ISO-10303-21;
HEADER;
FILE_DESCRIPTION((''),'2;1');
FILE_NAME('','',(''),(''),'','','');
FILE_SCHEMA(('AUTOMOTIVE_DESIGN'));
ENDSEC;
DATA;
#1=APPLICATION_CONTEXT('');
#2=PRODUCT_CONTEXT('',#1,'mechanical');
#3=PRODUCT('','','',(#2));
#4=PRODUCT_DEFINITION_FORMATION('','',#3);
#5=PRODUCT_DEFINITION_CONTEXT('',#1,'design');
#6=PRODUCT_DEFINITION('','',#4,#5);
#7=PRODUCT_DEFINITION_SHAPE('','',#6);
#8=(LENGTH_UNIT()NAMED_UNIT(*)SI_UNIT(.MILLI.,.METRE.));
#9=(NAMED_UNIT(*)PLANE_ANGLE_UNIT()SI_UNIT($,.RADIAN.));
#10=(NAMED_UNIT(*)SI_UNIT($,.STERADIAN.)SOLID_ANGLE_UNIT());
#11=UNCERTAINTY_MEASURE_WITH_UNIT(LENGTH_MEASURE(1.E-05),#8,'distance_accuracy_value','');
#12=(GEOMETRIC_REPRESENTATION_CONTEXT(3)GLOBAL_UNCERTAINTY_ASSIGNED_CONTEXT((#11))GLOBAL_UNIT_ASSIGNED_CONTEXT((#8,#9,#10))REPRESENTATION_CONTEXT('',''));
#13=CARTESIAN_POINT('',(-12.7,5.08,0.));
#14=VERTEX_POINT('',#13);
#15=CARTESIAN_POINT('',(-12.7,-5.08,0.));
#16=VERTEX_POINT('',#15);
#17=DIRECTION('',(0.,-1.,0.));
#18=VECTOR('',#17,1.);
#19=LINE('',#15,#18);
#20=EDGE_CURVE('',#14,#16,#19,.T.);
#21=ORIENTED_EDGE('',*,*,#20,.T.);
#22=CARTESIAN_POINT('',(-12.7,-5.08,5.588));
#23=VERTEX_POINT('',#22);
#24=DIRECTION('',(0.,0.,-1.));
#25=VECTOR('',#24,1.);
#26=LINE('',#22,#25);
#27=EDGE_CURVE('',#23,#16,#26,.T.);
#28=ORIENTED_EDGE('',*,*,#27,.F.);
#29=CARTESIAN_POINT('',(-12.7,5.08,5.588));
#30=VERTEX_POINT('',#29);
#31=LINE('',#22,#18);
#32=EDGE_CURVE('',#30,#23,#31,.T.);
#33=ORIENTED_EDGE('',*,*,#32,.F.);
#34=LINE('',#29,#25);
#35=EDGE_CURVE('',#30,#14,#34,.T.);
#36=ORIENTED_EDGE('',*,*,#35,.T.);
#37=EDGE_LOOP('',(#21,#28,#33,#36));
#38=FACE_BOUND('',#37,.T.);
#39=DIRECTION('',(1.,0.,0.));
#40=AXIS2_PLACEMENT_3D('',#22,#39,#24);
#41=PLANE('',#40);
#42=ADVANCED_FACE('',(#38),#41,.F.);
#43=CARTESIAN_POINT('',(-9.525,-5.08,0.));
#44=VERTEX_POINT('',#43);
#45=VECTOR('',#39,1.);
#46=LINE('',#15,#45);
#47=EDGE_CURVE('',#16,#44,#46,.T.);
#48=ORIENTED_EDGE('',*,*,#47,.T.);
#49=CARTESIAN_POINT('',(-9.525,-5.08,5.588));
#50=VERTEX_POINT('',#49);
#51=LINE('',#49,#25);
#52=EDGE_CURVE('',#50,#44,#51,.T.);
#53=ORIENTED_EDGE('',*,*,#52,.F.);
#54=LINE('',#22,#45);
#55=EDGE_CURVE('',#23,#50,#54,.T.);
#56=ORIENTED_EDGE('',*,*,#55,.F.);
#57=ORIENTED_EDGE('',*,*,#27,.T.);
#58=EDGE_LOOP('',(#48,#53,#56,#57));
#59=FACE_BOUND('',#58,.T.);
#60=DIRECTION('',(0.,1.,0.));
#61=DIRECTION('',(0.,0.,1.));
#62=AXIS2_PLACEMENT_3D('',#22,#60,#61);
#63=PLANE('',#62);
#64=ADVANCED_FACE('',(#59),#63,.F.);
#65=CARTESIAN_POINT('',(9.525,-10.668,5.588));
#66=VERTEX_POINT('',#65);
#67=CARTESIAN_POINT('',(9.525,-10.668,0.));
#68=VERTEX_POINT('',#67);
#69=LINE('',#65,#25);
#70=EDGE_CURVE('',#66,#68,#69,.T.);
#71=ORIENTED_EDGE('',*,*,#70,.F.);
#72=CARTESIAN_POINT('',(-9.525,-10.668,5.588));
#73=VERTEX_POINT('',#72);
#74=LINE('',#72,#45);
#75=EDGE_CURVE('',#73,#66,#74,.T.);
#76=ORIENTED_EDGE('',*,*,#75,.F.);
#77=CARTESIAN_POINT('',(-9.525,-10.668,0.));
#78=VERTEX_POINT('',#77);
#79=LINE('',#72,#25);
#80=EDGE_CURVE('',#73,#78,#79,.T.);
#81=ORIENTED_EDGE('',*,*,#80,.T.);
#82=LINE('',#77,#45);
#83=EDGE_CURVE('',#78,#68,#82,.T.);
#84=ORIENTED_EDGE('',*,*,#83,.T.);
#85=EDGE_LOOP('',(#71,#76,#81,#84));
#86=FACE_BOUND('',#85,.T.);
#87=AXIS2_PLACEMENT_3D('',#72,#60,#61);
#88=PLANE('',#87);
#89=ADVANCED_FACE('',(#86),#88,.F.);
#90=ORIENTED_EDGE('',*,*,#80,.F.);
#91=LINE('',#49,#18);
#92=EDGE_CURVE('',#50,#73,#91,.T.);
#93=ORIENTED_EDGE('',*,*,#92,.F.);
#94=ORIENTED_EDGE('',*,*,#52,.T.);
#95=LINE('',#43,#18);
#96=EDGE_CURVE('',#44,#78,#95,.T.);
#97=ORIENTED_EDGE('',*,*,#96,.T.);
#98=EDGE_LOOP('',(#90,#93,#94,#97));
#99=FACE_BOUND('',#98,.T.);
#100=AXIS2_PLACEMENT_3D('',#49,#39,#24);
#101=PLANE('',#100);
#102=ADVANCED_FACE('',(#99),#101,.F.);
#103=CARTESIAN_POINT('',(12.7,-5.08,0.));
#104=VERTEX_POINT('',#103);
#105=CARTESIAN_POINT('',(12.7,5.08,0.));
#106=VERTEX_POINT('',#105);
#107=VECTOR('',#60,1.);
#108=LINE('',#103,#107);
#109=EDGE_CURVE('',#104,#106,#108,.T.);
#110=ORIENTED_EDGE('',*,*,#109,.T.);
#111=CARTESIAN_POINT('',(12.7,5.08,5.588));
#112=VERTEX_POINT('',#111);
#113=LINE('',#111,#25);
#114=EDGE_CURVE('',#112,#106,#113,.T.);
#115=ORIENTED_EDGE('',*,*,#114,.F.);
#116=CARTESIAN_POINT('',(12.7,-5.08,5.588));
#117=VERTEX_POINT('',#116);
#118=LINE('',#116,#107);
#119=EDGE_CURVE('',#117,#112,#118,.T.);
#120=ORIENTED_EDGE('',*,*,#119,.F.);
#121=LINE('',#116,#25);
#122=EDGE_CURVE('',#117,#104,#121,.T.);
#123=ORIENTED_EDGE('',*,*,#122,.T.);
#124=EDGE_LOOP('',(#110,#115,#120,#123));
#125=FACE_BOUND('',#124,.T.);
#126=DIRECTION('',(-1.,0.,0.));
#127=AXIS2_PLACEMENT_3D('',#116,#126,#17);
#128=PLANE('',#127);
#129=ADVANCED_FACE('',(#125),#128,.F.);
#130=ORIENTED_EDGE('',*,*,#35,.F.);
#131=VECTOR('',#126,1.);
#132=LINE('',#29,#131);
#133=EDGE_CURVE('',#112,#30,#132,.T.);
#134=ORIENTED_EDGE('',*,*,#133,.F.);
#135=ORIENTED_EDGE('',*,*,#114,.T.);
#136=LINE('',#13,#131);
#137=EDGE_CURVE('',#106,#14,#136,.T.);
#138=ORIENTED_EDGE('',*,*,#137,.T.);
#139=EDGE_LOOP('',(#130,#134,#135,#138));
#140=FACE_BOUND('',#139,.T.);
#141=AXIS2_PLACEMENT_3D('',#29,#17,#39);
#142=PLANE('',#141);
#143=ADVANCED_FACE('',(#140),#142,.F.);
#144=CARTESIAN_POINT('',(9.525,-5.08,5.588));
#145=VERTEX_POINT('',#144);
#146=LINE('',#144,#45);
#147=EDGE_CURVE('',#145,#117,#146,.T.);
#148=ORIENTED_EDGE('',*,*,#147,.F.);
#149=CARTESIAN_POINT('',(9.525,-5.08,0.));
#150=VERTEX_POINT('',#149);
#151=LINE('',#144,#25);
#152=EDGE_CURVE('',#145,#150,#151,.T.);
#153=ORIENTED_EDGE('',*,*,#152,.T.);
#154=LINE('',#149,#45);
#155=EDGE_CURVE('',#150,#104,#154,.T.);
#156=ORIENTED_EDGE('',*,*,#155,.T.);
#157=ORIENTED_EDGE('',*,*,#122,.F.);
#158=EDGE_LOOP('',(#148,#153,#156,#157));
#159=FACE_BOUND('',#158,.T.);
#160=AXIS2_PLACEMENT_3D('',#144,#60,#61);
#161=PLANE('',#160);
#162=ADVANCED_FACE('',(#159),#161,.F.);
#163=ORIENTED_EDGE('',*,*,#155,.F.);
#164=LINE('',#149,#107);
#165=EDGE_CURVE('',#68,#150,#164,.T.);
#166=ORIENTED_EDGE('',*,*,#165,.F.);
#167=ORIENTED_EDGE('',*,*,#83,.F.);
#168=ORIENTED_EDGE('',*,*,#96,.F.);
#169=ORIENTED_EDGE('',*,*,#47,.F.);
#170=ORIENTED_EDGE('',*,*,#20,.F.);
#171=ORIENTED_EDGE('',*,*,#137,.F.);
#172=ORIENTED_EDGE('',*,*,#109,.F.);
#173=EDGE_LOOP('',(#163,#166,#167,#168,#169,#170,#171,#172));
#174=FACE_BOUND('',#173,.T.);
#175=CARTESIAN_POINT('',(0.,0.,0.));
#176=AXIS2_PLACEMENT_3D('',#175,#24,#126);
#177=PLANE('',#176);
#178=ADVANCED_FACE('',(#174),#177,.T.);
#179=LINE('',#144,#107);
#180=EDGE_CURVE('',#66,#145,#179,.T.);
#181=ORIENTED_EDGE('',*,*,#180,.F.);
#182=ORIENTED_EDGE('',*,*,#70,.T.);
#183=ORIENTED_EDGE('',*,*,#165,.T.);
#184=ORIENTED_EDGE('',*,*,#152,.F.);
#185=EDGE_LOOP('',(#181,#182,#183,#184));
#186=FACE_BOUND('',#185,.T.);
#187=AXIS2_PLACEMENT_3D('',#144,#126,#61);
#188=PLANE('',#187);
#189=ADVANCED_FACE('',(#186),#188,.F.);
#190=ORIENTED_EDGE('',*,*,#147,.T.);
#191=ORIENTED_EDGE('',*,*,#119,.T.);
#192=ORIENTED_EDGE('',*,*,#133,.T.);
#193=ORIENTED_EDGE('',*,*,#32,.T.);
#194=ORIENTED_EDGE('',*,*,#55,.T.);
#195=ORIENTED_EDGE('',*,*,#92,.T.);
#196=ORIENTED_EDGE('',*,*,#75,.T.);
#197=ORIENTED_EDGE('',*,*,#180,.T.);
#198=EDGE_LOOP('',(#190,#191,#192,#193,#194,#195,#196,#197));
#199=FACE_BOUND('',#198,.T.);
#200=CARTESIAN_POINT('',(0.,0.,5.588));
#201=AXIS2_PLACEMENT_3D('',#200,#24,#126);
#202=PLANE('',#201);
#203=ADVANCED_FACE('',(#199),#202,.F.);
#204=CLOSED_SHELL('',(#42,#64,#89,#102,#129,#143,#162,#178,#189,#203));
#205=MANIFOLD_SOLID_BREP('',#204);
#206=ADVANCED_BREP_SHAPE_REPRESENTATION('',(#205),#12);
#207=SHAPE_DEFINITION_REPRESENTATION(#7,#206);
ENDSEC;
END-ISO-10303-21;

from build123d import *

# Parameters (mm, degrees)
BOSS_EXTRUDE1_DEPTH = 5.588


with BuildPart() as part:
    # Sketch1 → Boss-Extrude1 (new body)
    with BuildSketch(Plane.XY):
        Polygon((-12.7, -5.08), (-9.525, -5.08), (-9.525, -10.668), (9.525, -10.668), (9.525, -5.08), (12.7, -5.08), (12.7, 5.08), (-12.7, 5.08), align=None)
    extrude(amount=BOSS_EXTRUDE1_DEPTH)


solid = part.part
